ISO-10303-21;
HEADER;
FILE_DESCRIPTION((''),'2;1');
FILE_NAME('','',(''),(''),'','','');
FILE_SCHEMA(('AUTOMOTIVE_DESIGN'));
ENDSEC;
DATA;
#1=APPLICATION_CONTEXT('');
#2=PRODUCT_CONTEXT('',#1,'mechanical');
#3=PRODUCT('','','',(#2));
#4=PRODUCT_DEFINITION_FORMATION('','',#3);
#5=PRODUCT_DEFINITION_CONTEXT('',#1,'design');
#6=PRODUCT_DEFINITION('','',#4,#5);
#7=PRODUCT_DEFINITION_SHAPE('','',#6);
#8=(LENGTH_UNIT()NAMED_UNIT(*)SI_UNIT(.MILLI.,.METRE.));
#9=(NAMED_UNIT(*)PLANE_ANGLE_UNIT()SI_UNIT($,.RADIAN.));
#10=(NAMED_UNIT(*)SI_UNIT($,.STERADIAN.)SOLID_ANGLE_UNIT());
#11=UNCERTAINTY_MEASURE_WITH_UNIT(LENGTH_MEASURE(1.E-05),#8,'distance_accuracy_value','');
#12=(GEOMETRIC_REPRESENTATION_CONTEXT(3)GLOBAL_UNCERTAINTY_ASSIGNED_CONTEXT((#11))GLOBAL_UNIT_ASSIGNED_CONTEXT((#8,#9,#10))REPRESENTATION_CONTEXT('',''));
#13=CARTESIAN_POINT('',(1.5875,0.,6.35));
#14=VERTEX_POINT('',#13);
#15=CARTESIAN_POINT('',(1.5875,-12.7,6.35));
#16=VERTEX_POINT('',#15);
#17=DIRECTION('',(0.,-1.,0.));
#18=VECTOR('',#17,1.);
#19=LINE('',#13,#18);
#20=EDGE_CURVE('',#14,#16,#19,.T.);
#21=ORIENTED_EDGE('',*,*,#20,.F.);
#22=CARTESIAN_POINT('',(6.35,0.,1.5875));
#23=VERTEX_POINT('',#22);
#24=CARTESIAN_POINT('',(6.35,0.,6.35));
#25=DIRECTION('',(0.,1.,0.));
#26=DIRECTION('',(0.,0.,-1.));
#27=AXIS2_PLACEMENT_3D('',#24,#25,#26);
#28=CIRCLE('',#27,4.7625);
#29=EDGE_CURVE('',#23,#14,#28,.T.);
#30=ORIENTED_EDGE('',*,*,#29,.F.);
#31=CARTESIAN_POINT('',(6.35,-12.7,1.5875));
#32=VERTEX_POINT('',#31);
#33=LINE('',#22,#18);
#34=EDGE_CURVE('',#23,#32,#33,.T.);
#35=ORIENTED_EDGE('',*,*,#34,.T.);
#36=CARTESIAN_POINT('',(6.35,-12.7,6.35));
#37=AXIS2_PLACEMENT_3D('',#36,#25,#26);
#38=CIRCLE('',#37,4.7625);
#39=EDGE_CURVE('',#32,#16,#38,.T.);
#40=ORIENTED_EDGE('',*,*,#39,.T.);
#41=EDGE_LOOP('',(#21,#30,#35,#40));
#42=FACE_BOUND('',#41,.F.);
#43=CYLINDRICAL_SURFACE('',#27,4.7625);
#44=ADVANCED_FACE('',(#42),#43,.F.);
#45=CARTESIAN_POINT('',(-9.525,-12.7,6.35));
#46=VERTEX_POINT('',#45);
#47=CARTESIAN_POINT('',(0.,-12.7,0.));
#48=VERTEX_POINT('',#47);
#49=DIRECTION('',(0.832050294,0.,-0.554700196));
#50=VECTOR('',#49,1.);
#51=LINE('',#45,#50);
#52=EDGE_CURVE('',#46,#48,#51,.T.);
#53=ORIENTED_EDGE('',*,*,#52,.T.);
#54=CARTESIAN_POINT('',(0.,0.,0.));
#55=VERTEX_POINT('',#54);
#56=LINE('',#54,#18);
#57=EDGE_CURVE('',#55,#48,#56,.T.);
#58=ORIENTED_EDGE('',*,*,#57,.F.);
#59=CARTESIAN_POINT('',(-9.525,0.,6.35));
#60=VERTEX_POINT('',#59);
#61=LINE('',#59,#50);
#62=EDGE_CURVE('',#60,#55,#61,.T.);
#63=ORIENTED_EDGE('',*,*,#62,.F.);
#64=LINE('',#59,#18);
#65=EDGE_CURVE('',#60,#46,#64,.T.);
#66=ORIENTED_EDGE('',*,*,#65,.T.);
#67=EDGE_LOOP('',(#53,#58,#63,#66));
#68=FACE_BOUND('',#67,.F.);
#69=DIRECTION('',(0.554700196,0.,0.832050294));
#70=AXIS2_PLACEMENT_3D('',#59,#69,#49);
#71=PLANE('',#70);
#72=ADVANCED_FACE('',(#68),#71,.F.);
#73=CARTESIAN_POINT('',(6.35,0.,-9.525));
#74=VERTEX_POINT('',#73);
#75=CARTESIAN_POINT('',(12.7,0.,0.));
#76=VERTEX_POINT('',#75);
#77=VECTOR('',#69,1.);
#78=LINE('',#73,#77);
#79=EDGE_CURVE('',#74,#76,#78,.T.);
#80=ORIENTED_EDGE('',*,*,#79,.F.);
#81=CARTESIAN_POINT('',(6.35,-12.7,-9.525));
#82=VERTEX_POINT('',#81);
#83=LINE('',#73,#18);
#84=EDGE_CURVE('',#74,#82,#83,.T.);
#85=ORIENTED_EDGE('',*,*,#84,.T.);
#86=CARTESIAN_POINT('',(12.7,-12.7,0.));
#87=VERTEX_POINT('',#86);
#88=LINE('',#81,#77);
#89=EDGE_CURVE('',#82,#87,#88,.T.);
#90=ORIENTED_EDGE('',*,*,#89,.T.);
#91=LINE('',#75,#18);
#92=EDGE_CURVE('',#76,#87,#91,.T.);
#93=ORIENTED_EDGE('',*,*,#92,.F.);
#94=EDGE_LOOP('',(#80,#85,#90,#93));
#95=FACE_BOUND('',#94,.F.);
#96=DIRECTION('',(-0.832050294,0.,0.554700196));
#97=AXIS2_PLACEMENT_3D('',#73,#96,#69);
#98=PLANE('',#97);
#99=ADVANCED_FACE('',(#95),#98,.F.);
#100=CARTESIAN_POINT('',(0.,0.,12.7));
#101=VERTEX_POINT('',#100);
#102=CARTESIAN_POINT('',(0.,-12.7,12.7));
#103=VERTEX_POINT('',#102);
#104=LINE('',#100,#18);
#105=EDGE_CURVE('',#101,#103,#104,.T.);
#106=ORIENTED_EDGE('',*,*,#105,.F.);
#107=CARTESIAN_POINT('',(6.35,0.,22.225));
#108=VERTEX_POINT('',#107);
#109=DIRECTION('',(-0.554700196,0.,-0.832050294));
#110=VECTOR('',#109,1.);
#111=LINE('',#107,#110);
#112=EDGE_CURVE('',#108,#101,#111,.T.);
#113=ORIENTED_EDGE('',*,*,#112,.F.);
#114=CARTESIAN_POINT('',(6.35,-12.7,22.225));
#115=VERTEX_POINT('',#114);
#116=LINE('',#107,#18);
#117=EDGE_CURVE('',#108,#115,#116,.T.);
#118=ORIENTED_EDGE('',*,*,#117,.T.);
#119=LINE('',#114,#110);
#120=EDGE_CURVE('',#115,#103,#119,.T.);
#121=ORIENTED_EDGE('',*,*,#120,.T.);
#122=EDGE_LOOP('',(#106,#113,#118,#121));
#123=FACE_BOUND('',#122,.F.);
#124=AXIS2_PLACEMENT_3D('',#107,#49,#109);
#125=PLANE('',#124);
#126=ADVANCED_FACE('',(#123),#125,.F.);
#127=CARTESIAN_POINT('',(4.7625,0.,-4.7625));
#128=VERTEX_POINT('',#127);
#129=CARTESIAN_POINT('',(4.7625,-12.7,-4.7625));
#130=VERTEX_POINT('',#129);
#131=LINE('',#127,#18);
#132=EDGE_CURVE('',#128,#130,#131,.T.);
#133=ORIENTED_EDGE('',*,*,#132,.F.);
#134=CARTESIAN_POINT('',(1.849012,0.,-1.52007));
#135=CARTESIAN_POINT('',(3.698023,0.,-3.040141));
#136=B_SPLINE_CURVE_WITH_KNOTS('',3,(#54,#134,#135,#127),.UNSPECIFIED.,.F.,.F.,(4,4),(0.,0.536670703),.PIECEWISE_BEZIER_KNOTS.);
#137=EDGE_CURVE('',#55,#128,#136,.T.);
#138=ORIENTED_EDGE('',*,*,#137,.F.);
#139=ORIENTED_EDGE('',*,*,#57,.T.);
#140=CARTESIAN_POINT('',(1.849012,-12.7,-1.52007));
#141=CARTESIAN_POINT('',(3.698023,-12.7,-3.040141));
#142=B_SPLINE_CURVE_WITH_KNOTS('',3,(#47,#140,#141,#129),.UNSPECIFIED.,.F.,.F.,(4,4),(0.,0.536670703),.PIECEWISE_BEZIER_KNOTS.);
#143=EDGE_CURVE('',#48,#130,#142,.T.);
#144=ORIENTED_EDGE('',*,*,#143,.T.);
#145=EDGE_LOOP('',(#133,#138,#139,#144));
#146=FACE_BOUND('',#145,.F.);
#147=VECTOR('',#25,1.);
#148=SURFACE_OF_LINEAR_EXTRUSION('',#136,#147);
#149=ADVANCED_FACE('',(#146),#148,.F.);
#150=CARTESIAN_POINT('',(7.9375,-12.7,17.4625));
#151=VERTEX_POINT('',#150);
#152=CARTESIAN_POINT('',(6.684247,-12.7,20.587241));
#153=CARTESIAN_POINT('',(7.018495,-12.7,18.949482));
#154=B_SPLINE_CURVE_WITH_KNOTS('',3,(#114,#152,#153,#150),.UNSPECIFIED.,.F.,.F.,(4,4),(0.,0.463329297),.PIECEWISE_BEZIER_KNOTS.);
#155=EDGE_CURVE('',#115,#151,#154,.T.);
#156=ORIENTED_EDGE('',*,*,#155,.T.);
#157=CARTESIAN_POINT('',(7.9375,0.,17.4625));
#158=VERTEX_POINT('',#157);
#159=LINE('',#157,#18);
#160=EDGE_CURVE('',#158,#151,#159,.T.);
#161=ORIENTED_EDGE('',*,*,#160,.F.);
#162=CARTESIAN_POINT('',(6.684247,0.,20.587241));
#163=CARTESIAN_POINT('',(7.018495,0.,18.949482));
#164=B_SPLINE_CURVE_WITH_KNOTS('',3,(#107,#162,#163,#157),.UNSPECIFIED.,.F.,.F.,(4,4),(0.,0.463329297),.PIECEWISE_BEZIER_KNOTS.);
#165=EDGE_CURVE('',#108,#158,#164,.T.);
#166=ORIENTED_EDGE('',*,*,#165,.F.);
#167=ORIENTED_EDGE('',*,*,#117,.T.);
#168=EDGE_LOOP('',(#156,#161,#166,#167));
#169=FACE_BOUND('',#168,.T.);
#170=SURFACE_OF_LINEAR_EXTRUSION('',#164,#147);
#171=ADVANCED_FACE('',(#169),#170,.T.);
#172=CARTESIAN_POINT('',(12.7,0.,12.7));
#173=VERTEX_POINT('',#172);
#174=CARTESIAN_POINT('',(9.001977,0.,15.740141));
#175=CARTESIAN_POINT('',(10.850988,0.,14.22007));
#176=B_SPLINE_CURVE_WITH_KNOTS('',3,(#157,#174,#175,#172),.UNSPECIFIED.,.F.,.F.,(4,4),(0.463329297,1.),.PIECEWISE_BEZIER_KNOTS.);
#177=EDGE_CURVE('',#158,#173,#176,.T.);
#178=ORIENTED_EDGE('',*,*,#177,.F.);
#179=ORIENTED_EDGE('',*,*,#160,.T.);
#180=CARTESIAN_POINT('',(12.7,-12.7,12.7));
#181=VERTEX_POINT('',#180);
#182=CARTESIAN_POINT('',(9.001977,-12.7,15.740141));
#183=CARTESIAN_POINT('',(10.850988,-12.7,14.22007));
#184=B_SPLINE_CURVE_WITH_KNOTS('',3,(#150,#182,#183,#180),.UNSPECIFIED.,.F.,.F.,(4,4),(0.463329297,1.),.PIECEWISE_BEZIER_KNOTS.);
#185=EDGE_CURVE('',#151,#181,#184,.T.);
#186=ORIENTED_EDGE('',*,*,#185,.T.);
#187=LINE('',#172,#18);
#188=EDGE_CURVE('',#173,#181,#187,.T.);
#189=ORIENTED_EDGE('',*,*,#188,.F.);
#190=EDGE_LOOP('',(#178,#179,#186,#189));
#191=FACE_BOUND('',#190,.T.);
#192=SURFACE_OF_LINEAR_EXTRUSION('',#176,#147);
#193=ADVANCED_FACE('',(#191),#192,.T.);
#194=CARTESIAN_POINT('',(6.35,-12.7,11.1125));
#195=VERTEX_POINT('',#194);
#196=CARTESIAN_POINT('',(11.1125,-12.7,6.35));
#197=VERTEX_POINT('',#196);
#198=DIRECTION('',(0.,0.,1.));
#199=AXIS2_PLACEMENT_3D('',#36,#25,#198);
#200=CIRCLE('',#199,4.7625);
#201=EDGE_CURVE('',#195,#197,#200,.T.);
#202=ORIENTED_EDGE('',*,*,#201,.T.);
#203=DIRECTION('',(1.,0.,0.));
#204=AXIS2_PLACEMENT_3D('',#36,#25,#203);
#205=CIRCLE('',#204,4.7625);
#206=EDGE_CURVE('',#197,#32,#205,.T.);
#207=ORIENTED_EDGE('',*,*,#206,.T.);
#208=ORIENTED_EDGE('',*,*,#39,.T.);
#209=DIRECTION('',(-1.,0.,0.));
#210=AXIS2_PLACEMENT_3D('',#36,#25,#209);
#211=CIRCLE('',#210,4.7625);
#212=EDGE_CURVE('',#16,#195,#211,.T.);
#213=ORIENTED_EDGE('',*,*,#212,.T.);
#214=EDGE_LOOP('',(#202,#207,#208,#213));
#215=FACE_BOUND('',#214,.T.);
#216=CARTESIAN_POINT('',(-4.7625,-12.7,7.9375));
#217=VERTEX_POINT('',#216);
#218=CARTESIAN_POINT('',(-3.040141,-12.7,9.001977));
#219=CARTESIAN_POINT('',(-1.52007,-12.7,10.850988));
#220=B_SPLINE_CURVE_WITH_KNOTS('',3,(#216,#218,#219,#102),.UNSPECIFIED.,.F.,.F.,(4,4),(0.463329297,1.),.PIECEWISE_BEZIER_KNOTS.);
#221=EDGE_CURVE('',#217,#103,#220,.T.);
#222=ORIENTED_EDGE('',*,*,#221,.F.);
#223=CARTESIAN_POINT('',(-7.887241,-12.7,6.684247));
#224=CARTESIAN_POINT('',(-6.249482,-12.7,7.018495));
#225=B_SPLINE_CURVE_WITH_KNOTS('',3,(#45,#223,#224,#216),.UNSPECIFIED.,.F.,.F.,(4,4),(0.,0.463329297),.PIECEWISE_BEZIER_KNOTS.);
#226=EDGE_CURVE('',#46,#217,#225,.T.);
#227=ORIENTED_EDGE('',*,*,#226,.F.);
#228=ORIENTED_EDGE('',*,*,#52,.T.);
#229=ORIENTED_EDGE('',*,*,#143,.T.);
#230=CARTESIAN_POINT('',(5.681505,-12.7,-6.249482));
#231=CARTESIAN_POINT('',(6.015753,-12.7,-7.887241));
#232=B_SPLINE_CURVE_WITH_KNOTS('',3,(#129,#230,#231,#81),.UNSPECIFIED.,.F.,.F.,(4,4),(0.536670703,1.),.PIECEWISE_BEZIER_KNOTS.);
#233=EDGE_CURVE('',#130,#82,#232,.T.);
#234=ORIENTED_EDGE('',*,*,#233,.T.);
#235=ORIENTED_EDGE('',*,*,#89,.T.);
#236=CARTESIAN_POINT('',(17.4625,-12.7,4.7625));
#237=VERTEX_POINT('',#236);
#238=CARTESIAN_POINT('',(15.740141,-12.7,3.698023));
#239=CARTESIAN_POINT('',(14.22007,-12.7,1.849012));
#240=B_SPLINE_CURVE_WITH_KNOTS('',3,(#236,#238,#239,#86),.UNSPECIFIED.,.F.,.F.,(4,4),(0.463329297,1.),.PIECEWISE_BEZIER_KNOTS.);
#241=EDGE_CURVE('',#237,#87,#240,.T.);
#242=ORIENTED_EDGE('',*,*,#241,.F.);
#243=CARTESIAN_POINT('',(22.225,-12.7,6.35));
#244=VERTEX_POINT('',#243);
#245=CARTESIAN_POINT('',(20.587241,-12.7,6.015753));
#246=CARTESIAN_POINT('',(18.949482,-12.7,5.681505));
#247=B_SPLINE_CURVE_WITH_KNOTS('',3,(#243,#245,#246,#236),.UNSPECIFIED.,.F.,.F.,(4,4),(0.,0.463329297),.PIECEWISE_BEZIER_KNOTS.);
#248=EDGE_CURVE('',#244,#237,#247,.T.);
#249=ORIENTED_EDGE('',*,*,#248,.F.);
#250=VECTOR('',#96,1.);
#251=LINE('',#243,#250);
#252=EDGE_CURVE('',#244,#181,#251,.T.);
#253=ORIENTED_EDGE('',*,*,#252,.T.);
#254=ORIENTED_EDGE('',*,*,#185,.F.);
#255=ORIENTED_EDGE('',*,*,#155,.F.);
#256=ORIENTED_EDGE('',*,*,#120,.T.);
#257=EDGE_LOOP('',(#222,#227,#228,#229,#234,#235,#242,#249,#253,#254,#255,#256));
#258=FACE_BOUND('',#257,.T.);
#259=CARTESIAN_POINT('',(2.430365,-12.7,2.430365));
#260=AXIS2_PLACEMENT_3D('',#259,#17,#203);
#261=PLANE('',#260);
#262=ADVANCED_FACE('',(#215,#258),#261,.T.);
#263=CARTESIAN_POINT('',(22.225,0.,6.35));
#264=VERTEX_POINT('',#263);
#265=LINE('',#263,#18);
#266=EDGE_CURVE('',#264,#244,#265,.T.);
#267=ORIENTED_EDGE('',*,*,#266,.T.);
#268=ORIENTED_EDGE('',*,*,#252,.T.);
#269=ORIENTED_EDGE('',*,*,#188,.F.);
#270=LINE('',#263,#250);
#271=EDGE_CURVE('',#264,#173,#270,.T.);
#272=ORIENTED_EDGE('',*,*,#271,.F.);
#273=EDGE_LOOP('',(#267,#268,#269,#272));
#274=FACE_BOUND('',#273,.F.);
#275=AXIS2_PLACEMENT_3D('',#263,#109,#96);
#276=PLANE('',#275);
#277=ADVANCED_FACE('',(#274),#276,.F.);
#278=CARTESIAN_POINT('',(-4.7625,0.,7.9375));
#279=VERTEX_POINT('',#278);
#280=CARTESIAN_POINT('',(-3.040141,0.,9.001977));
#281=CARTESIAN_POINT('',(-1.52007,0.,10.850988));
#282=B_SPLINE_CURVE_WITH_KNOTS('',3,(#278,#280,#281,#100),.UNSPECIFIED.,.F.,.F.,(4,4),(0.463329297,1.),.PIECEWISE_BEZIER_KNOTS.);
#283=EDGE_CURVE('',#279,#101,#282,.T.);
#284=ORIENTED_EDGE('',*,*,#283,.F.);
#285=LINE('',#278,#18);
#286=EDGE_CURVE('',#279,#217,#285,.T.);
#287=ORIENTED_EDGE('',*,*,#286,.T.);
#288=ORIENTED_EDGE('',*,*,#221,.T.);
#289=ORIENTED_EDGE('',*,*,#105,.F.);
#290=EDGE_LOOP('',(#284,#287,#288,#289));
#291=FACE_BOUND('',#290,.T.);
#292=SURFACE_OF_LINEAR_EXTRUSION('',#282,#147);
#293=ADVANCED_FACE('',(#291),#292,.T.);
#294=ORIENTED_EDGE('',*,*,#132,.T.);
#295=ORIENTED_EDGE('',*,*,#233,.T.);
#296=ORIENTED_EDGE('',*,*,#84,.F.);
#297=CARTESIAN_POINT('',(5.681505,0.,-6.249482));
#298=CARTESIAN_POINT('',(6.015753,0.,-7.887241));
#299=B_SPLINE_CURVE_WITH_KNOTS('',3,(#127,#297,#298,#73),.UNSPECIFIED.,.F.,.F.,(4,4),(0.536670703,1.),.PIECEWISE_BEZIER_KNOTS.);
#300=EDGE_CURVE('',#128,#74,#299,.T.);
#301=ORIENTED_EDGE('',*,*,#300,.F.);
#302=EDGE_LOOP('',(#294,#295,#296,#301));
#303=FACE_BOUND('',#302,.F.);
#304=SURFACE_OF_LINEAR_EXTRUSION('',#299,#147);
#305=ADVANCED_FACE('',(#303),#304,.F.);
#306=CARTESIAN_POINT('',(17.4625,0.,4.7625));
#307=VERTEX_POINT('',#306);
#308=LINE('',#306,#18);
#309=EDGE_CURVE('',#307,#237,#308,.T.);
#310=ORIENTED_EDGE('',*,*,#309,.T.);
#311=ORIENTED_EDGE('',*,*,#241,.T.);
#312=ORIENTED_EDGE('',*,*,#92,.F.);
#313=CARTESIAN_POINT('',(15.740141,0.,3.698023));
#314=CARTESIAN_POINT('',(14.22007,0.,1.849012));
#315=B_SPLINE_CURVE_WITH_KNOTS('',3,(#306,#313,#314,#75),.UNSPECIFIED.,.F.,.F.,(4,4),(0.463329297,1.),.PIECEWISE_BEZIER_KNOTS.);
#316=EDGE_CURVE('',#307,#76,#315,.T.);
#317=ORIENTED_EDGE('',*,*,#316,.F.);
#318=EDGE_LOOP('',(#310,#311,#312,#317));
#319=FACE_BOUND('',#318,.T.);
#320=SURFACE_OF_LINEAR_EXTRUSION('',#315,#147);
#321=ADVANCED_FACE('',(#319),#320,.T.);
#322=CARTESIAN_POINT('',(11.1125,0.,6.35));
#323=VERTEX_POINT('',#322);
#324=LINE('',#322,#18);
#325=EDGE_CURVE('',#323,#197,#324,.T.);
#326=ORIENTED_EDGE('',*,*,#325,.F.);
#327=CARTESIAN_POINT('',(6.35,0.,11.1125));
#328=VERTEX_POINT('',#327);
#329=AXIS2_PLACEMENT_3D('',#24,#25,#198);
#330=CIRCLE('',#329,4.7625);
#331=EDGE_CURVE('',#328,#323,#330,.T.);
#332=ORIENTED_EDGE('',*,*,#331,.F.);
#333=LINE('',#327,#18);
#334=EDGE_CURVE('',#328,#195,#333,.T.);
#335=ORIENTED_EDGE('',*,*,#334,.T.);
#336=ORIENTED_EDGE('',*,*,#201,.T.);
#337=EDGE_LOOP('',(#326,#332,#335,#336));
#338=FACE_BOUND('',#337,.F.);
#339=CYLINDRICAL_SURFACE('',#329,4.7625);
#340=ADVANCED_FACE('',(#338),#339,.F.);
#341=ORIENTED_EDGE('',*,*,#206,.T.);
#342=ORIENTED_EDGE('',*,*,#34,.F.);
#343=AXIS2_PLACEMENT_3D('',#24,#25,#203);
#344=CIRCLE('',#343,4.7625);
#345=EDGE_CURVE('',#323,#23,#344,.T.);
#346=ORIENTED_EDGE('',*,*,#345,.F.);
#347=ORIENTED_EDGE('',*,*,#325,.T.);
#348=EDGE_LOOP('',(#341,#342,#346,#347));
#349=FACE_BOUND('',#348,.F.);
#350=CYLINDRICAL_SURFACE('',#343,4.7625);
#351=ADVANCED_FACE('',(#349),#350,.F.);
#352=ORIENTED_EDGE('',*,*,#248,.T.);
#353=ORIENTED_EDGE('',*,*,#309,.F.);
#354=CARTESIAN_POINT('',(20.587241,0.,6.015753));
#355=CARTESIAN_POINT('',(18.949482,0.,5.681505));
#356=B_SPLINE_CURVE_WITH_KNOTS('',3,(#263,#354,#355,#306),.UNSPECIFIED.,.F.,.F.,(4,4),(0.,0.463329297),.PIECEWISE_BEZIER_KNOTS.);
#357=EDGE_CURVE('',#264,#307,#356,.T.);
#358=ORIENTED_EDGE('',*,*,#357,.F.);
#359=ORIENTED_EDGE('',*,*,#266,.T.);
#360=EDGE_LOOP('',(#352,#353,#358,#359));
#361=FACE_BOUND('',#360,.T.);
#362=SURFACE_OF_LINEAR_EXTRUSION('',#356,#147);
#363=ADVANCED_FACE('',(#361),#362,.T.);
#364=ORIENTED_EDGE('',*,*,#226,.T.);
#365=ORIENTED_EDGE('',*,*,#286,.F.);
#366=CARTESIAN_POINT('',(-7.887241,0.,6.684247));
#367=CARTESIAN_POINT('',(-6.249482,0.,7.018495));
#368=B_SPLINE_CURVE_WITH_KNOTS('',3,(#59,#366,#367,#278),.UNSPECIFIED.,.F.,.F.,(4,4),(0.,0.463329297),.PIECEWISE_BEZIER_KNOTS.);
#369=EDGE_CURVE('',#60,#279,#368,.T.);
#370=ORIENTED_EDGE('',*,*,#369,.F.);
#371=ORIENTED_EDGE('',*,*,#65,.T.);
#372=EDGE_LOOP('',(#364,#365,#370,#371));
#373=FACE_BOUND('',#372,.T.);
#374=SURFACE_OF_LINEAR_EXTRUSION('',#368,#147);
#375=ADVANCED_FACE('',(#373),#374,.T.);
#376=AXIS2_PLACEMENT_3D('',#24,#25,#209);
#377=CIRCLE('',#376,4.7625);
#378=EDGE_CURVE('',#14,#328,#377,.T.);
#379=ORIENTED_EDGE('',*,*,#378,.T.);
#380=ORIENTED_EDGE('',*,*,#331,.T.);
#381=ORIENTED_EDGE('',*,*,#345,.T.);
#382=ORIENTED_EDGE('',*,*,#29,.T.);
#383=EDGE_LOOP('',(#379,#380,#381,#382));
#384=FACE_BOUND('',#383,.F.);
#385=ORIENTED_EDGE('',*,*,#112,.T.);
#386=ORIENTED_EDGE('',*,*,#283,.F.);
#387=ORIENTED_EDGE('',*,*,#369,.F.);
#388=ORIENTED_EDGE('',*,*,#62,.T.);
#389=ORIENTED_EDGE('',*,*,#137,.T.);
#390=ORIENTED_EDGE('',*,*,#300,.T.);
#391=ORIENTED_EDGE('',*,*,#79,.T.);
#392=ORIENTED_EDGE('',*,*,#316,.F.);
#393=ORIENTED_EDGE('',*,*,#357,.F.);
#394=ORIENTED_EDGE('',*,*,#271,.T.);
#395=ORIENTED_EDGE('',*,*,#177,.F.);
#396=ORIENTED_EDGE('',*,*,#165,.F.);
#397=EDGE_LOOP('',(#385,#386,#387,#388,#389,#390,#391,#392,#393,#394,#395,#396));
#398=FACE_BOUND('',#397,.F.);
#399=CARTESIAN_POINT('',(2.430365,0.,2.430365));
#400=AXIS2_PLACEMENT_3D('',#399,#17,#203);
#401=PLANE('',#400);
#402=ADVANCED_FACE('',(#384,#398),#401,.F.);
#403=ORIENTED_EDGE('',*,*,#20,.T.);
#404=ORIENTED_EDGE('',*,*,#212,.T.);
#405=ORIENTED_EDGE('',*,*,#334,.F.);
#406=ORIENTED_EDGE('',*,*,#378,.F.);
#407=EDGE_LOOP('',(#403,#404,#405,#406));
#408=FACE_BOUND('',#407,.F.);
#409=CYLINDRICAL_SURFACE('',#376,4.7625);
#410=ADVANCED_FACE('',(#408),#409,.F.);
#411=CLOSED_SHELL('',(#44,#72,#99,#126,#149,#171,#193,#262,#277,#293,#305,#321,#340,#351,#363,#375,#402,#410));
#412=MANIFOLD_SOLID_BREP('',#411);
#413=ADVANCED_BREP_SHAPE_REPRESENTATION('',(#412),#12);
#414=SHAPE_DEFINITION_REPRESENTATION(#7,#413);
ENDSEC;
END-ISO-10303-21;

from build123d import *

# Parameters (mm, degrees)
F1_DEPTH = 12.7


with BuildPart() as f1:
    # F0 (on Front) → F1 (new body)
    with BuildSketch(Plane.XZ):
        with BuildLine():
            Line((0, 6.35), (0, 0))
            Line((0, 0), (3.175, 0))
            Line((3.175, 0), (6.35, 0))
            Line((6.35, 0), (6.35, 1.5875))
            ThreePointArc((6.35, 1.5875), (2.9824039546, 2.9824039546), (1.5875, 6.35))
            Line((1.5875, 6.35), (0, 6.35))
        make_face()
        Polygon((-9.525, 6.35), (0, 0), (0, 6.35), (-4.7625, 6.35), align=None)
        with BuildLine():
            Line((3.175, 0), (0, 0))
            add(Edge.make_bspline(
                [(0, 0), (1.8490116871, -1.5200703196), (3.6980233742, -3.0401406392), (4.7625, -4.7625)],
                knots=[0, 0, 0, 0, 0.5366707034, 0.5366707034, 0.5366707034, 0.5366707034], degree=3))
            Line((4.7625, -4.7625), (6.35, -4.7625))
            Line((6.35, -4.7625), (6.35, 0))
            Line((6.35, 0), (3.175, 0))
        make_face()
        with BuildLine():
            Line((-4.7625, 6.35), (0, 6.35))
            Line((0, 6.35), (0, 9.525))
            Line((0, 9.525), (0, 12.7))
            add(Edge.make_bspline(
                [(-4.7625, 7.9375), (-3.0401406392, 9.0019766258), (-1.5200703196, 10.8509883129), (0, 12.7)],
                knots=[0.4633292966, 0.4633292966, 0.4633292966, 0.4633292966, 1, 1, 1, 1], degree=3))
            Line((-4.7625, 7.9375), (-4.7625, 6.35))
        make_face()
        with BuildLine():
            Line((0, 9.525), (0, 6.35))
            Line((0, 6.35), (1.5875, 6.35))
            ThreePointArc((1.5875, 6.35), (2.9824039546, 9.7175960454), (6.35, 11.1125))
            Line((6.35, 11.1125), (6.35, 12.7))
            Line((6.35, 12.7), (3.175, 12.7))
            Line((3.175, 12.7), (0, 12.7))
            Line((0, 12.7), (0, 9.525))
        make_face()
        with BuildLine():
            Line((6.35, -4.7625), (4.7625, -4.7625))
            add(Edge.make_bspline(
                [(4.7625, -4.7625), (5.6815052729, -6.2494817673), (6.0157526364, -7.8872408837), (6.35, -9.525)],
                knots=[0.5366707034, 0.5366707034, 0.5366707034, 0.5366707034, 1, 1, 1, 1], degree=3))
            Line((6.35, -9.525), (6.35, -4.7625))
        make_face()
        with BuildLine():
            add(Edge.make_bspline(
                [(-9.525, 6.35), (-7.8872408837, 6.6842473636), (-6.2494817673, 7.0184947271), (-4.7625, 7.9375)],
                knots=[0, 0, 0, 0, 0.4633292966, 0.4633292966, 0.4633292966, 0.4633292966], degree=3))
            Line((-9.525, 6.35), (-4.7625, 6.35))
            Line((-4.7625, 6.35), (-4.7625, 7.9375))
        make_face()
        with BuildLine():
            Line((6.35, 1.5875), (6.35, 0))
            Line((6.35, 0), (12.7, 0))
            Line((12.7, 0), (12.7, 3.175))
            Line((12.7, 3.175), (12.7, 6.35))
            Line((12.7, 6.35), (11.1125, 6.35))
            ThreePointArc((11.1125, 6.35), (9.7175960454, 2.9824039546), (6.35, 1.5875))
        make_face()
        Polygon((12.7, 0), (6.35, 0), (6.35, -4.7625), (6.35, -9.525), align=None)
        with BuildLine():
            Line((12.7, 3.175), (12.7, 0))
            add(Edge.make_bspline(
                [(17.4625, 4.7625), (15.7401406392, 3.6980233742), (14.2200703196, 1.8490116871), (12.7, 0)],
                knots=[0.4633292966, 0.4633292966, 0.4633292966, 0.4633292966, 1, 1, 1, 1], degree=3))
            Line((17.4625, 4.7625), (17.4625, 6.35))
            Line((17.4625, 6.35), (12.7, 6.35))
            Line((12.7, 6.35), (12.7, 3.175))
        make_face()
        Polygon((6.35, 22.225), (0, 12.7), (3.175, 12.7), (6.35, 12.7), (6.35, 17.4625), align=None)
        with BuildLine():
            Line((6.35, 12.7), (6.35, 11.1125))
            ThreePointArc((6.35, 11.1125), (9.7175960454, 9.7175960454), (11.1125, 6.35))
            Line((11.1125, 6.35), (12.7, 6.35))
            Line((12.7, 6.35), (12.7, 12.7))
            Line((12.7, 12.7), (9.525, 12.7))
            Line((9.525, 12.7), (6.35, 12.7))
        make_face()
        with BuildLine():
            Line((17.4625, 6.35), (17.4625, 4.7625))
            add(Edge.make_bspline(
                [(22.225, 6.35), (20.5872408837, 6.0157526364), (18.9494817673, 5.6815052729), (17.4625, 4.7625)],
                knots=[0, 0, 0, 0, 0.4633292966, 0.4633292966, 0.4633292966, 0.4633292966], degree=3))
            Line((22.225, 6.35), (17.4625, 6.35))
        make_face()
        with BuildLine():
            add(Edge.make_bspline(
                [(6.35, 22.225), (6.6842473636, 20.5872408837), (7.0184947271, 18.9494817673), (7.9375, 17.4625)],
                knots=[0, 0, 0, 0, 0.4633292966, 0.4633292966, 0.4633292966, 0.4633292966], degree=3))
            Line((6.35, 22.225), (6.35, 17.4625))
            Line((6.35, 17.4625), (7.9375, 17.4625))
        make_face()
        with BuildLine():
            Line((6.35, 17.4625), (6.35, 12.7))
            Line((6.35, 12.7), (9.525, 12.7))
            Line((9.525, 12.7), (12.7, 12.7))
            add(Edge.make_bspline(
                [(7.9375, 17.4625), (9.0019766258, 15.7401406392), (10.8509883129, 14.2200703196), (12.7, 12.7)],
                knots=[0.4633292966, 0.4633292966, 0.4633292966, 0.4633292966, 1, 1, 1, 1], degree=3))
            Line((7.9375, 17.4625), (6.35, 17.4625))
        make_face()
        Polygon((12.7, 12.7), (12.7, 6.35), (17.4625, 6.35), (22.225, 6.35), align=None)
    extrude(amount=F1_DEPTH)


solid = f1.part
